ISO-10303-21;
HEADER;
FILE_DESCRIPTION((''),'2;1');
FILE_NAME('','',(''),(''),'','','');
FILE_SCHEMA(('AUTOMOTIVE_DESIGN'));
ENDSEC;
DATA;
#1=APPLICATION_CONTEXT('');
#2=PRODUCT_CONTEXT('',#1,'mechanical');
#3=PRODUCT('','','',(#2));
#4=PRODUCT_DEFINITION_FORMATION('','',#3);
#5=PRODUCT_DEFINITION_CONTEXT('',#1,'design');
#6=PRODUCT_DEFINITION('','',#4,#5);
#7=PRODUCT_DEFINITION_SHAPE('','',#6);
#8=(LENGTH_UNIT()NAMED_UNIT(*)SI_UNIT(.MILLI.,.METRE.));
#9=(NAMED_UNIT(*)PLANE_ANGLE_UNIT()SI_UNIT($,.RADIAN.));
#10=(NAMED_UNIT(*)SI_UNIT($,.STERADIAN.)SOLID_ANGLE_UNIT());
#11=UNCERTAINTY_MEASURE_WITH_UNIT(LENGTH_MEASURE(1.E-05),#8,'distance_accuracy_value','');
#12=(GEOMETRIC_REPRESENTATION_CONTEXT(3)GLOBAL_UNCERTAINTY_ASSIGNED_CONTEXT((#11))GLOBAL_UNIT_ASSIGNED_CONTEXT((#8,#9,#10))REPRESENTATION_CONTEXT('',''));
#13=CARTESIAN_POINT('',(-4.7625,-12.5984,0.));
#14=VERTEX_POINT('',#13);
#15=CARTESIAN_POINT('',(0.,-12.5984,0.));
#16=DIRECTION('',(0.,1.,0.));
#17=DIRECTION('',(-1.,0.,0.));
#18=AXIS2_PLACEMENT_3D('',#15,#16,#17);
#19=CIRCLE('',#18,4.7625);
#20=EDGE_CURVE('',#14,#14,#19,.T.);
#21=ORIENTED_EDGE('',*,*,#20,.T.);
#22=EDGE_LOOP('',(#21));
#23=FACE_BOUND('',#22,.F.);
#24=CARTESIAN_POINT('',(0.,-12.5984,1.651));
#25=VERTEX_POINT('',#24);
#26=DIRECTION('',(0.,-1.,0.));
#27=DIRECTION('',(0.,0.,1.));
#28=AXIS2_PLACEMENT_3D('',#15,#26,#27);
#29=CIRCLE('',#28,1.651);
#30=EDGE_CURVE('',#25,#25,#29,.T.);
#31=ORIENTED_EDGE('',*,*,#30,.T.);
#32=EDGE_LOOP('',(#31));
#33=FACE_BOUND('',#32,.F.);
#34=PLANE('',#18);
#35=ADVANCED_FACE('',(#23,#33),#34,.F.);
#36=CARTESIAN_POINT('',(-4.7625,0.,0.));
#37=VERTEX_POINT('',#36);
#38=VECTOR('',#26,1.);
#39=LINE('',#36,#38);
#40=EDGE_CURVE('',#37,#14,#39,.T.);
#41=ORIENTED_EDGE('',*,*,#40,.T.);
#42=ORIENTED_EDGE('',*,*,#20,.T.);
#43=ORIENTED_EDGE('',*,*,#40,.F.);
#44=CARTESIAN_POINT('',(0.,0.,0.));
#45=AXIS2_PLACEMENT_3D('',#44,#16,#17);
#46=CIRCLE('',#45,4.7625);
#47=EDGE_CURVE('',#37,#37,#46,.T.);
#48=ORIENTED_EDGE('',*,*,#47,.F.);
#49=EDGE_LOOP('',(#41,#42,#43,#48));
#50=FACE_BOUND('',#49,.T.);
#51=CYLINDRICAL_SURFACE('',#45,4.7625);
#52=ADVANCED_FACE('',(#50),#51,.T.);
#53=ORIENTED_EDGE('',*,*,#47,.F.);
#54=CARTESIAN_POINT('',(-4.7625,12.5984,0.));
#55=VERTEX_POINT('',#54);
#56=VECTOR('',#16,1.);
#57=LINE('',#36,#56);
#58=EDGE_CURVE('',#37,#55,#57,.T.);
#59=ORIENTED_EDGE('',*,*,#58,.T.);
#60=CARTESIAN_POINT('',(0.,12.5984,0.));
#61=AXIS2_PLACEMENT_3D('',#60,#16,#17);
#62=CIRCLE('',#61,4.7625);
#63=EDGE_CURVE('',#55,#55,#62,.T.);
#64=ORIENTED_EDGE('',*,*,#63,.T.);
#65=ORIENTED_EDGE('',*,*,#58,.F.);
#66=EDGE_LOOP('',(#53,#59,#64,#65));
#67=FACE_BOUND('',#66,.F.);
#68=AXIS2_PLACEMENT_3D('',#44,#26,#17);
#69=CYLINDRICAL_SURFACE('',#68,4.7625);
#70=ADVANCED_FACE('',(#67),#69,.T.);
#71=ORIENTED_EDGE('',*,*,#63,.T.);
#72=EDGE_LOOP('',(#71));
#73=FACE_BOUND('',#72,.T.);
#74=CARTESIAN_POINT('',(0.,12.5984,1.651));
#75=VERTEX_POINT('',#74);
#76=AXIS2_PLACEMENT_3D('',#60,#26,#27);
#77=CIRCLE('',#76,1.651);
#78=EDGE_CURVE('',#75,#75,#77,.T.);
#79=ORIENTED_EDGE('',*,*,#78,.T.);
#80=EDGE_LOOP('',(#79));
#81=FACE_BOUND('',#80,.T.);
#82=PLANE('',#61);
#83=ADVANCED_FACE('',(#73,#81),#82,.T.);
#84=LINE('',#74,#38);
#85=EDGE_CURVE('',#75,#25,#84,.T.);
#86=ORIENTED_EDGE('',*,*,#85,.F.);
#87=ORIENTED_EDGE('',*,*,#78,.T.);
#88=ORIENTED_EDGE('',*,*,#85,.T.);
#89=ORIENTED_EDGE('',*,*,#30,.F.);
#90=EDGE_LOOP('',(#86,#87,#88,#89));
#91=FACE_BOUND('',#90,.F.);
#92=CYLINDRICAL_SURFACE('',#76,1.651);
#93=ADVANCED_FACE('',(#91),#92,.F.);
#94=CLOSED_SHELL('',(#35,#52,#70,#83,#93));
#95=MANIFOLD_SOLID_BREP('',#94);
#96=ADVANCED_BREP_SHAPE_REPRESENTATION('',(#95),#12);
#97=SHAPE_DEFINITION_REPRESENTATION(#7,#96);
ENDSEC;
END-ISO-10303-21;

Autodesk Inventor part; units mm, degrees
ref_plane "YZ Plane" through (0, 0, 0) normal (1, 0, 0) x (0, 1, 0)
ref_plane "XZ Plane" through (0, 0, 0) normal (0, 1, 0) x (-1, 0, 0)
ref_plane "XY Plane" through (0, 0, 0) normal (0, 0, 1) x (1, 0, 0)
sketch "Sketch1" plane through (0, 0, 0) normal (0, 1, 0) x (-1, 0, 0)
  circle A0 centre (0, 0) radius 4.7625
  dimension "d0" = 9.525
extrude "Extrusion1" add sketch "Sketch1" along normal mid plane 25.1968
sketch "Sketch2" plane through (0, 12.5984, 0) normal (0, 1, 0) x (1, 0, 0)
  point P0 (0, 0)
  point P1 (0, 0)
hole "Hole1" at (0, 12.5984, 0) direction (0, -1, 0) diameter 3.302 end through all thread size "8-32 UNC" class "2B" standard "ANSI Unified Screw Threads"
properties part number "talon stack standoff" material "Aluminum 6061"
